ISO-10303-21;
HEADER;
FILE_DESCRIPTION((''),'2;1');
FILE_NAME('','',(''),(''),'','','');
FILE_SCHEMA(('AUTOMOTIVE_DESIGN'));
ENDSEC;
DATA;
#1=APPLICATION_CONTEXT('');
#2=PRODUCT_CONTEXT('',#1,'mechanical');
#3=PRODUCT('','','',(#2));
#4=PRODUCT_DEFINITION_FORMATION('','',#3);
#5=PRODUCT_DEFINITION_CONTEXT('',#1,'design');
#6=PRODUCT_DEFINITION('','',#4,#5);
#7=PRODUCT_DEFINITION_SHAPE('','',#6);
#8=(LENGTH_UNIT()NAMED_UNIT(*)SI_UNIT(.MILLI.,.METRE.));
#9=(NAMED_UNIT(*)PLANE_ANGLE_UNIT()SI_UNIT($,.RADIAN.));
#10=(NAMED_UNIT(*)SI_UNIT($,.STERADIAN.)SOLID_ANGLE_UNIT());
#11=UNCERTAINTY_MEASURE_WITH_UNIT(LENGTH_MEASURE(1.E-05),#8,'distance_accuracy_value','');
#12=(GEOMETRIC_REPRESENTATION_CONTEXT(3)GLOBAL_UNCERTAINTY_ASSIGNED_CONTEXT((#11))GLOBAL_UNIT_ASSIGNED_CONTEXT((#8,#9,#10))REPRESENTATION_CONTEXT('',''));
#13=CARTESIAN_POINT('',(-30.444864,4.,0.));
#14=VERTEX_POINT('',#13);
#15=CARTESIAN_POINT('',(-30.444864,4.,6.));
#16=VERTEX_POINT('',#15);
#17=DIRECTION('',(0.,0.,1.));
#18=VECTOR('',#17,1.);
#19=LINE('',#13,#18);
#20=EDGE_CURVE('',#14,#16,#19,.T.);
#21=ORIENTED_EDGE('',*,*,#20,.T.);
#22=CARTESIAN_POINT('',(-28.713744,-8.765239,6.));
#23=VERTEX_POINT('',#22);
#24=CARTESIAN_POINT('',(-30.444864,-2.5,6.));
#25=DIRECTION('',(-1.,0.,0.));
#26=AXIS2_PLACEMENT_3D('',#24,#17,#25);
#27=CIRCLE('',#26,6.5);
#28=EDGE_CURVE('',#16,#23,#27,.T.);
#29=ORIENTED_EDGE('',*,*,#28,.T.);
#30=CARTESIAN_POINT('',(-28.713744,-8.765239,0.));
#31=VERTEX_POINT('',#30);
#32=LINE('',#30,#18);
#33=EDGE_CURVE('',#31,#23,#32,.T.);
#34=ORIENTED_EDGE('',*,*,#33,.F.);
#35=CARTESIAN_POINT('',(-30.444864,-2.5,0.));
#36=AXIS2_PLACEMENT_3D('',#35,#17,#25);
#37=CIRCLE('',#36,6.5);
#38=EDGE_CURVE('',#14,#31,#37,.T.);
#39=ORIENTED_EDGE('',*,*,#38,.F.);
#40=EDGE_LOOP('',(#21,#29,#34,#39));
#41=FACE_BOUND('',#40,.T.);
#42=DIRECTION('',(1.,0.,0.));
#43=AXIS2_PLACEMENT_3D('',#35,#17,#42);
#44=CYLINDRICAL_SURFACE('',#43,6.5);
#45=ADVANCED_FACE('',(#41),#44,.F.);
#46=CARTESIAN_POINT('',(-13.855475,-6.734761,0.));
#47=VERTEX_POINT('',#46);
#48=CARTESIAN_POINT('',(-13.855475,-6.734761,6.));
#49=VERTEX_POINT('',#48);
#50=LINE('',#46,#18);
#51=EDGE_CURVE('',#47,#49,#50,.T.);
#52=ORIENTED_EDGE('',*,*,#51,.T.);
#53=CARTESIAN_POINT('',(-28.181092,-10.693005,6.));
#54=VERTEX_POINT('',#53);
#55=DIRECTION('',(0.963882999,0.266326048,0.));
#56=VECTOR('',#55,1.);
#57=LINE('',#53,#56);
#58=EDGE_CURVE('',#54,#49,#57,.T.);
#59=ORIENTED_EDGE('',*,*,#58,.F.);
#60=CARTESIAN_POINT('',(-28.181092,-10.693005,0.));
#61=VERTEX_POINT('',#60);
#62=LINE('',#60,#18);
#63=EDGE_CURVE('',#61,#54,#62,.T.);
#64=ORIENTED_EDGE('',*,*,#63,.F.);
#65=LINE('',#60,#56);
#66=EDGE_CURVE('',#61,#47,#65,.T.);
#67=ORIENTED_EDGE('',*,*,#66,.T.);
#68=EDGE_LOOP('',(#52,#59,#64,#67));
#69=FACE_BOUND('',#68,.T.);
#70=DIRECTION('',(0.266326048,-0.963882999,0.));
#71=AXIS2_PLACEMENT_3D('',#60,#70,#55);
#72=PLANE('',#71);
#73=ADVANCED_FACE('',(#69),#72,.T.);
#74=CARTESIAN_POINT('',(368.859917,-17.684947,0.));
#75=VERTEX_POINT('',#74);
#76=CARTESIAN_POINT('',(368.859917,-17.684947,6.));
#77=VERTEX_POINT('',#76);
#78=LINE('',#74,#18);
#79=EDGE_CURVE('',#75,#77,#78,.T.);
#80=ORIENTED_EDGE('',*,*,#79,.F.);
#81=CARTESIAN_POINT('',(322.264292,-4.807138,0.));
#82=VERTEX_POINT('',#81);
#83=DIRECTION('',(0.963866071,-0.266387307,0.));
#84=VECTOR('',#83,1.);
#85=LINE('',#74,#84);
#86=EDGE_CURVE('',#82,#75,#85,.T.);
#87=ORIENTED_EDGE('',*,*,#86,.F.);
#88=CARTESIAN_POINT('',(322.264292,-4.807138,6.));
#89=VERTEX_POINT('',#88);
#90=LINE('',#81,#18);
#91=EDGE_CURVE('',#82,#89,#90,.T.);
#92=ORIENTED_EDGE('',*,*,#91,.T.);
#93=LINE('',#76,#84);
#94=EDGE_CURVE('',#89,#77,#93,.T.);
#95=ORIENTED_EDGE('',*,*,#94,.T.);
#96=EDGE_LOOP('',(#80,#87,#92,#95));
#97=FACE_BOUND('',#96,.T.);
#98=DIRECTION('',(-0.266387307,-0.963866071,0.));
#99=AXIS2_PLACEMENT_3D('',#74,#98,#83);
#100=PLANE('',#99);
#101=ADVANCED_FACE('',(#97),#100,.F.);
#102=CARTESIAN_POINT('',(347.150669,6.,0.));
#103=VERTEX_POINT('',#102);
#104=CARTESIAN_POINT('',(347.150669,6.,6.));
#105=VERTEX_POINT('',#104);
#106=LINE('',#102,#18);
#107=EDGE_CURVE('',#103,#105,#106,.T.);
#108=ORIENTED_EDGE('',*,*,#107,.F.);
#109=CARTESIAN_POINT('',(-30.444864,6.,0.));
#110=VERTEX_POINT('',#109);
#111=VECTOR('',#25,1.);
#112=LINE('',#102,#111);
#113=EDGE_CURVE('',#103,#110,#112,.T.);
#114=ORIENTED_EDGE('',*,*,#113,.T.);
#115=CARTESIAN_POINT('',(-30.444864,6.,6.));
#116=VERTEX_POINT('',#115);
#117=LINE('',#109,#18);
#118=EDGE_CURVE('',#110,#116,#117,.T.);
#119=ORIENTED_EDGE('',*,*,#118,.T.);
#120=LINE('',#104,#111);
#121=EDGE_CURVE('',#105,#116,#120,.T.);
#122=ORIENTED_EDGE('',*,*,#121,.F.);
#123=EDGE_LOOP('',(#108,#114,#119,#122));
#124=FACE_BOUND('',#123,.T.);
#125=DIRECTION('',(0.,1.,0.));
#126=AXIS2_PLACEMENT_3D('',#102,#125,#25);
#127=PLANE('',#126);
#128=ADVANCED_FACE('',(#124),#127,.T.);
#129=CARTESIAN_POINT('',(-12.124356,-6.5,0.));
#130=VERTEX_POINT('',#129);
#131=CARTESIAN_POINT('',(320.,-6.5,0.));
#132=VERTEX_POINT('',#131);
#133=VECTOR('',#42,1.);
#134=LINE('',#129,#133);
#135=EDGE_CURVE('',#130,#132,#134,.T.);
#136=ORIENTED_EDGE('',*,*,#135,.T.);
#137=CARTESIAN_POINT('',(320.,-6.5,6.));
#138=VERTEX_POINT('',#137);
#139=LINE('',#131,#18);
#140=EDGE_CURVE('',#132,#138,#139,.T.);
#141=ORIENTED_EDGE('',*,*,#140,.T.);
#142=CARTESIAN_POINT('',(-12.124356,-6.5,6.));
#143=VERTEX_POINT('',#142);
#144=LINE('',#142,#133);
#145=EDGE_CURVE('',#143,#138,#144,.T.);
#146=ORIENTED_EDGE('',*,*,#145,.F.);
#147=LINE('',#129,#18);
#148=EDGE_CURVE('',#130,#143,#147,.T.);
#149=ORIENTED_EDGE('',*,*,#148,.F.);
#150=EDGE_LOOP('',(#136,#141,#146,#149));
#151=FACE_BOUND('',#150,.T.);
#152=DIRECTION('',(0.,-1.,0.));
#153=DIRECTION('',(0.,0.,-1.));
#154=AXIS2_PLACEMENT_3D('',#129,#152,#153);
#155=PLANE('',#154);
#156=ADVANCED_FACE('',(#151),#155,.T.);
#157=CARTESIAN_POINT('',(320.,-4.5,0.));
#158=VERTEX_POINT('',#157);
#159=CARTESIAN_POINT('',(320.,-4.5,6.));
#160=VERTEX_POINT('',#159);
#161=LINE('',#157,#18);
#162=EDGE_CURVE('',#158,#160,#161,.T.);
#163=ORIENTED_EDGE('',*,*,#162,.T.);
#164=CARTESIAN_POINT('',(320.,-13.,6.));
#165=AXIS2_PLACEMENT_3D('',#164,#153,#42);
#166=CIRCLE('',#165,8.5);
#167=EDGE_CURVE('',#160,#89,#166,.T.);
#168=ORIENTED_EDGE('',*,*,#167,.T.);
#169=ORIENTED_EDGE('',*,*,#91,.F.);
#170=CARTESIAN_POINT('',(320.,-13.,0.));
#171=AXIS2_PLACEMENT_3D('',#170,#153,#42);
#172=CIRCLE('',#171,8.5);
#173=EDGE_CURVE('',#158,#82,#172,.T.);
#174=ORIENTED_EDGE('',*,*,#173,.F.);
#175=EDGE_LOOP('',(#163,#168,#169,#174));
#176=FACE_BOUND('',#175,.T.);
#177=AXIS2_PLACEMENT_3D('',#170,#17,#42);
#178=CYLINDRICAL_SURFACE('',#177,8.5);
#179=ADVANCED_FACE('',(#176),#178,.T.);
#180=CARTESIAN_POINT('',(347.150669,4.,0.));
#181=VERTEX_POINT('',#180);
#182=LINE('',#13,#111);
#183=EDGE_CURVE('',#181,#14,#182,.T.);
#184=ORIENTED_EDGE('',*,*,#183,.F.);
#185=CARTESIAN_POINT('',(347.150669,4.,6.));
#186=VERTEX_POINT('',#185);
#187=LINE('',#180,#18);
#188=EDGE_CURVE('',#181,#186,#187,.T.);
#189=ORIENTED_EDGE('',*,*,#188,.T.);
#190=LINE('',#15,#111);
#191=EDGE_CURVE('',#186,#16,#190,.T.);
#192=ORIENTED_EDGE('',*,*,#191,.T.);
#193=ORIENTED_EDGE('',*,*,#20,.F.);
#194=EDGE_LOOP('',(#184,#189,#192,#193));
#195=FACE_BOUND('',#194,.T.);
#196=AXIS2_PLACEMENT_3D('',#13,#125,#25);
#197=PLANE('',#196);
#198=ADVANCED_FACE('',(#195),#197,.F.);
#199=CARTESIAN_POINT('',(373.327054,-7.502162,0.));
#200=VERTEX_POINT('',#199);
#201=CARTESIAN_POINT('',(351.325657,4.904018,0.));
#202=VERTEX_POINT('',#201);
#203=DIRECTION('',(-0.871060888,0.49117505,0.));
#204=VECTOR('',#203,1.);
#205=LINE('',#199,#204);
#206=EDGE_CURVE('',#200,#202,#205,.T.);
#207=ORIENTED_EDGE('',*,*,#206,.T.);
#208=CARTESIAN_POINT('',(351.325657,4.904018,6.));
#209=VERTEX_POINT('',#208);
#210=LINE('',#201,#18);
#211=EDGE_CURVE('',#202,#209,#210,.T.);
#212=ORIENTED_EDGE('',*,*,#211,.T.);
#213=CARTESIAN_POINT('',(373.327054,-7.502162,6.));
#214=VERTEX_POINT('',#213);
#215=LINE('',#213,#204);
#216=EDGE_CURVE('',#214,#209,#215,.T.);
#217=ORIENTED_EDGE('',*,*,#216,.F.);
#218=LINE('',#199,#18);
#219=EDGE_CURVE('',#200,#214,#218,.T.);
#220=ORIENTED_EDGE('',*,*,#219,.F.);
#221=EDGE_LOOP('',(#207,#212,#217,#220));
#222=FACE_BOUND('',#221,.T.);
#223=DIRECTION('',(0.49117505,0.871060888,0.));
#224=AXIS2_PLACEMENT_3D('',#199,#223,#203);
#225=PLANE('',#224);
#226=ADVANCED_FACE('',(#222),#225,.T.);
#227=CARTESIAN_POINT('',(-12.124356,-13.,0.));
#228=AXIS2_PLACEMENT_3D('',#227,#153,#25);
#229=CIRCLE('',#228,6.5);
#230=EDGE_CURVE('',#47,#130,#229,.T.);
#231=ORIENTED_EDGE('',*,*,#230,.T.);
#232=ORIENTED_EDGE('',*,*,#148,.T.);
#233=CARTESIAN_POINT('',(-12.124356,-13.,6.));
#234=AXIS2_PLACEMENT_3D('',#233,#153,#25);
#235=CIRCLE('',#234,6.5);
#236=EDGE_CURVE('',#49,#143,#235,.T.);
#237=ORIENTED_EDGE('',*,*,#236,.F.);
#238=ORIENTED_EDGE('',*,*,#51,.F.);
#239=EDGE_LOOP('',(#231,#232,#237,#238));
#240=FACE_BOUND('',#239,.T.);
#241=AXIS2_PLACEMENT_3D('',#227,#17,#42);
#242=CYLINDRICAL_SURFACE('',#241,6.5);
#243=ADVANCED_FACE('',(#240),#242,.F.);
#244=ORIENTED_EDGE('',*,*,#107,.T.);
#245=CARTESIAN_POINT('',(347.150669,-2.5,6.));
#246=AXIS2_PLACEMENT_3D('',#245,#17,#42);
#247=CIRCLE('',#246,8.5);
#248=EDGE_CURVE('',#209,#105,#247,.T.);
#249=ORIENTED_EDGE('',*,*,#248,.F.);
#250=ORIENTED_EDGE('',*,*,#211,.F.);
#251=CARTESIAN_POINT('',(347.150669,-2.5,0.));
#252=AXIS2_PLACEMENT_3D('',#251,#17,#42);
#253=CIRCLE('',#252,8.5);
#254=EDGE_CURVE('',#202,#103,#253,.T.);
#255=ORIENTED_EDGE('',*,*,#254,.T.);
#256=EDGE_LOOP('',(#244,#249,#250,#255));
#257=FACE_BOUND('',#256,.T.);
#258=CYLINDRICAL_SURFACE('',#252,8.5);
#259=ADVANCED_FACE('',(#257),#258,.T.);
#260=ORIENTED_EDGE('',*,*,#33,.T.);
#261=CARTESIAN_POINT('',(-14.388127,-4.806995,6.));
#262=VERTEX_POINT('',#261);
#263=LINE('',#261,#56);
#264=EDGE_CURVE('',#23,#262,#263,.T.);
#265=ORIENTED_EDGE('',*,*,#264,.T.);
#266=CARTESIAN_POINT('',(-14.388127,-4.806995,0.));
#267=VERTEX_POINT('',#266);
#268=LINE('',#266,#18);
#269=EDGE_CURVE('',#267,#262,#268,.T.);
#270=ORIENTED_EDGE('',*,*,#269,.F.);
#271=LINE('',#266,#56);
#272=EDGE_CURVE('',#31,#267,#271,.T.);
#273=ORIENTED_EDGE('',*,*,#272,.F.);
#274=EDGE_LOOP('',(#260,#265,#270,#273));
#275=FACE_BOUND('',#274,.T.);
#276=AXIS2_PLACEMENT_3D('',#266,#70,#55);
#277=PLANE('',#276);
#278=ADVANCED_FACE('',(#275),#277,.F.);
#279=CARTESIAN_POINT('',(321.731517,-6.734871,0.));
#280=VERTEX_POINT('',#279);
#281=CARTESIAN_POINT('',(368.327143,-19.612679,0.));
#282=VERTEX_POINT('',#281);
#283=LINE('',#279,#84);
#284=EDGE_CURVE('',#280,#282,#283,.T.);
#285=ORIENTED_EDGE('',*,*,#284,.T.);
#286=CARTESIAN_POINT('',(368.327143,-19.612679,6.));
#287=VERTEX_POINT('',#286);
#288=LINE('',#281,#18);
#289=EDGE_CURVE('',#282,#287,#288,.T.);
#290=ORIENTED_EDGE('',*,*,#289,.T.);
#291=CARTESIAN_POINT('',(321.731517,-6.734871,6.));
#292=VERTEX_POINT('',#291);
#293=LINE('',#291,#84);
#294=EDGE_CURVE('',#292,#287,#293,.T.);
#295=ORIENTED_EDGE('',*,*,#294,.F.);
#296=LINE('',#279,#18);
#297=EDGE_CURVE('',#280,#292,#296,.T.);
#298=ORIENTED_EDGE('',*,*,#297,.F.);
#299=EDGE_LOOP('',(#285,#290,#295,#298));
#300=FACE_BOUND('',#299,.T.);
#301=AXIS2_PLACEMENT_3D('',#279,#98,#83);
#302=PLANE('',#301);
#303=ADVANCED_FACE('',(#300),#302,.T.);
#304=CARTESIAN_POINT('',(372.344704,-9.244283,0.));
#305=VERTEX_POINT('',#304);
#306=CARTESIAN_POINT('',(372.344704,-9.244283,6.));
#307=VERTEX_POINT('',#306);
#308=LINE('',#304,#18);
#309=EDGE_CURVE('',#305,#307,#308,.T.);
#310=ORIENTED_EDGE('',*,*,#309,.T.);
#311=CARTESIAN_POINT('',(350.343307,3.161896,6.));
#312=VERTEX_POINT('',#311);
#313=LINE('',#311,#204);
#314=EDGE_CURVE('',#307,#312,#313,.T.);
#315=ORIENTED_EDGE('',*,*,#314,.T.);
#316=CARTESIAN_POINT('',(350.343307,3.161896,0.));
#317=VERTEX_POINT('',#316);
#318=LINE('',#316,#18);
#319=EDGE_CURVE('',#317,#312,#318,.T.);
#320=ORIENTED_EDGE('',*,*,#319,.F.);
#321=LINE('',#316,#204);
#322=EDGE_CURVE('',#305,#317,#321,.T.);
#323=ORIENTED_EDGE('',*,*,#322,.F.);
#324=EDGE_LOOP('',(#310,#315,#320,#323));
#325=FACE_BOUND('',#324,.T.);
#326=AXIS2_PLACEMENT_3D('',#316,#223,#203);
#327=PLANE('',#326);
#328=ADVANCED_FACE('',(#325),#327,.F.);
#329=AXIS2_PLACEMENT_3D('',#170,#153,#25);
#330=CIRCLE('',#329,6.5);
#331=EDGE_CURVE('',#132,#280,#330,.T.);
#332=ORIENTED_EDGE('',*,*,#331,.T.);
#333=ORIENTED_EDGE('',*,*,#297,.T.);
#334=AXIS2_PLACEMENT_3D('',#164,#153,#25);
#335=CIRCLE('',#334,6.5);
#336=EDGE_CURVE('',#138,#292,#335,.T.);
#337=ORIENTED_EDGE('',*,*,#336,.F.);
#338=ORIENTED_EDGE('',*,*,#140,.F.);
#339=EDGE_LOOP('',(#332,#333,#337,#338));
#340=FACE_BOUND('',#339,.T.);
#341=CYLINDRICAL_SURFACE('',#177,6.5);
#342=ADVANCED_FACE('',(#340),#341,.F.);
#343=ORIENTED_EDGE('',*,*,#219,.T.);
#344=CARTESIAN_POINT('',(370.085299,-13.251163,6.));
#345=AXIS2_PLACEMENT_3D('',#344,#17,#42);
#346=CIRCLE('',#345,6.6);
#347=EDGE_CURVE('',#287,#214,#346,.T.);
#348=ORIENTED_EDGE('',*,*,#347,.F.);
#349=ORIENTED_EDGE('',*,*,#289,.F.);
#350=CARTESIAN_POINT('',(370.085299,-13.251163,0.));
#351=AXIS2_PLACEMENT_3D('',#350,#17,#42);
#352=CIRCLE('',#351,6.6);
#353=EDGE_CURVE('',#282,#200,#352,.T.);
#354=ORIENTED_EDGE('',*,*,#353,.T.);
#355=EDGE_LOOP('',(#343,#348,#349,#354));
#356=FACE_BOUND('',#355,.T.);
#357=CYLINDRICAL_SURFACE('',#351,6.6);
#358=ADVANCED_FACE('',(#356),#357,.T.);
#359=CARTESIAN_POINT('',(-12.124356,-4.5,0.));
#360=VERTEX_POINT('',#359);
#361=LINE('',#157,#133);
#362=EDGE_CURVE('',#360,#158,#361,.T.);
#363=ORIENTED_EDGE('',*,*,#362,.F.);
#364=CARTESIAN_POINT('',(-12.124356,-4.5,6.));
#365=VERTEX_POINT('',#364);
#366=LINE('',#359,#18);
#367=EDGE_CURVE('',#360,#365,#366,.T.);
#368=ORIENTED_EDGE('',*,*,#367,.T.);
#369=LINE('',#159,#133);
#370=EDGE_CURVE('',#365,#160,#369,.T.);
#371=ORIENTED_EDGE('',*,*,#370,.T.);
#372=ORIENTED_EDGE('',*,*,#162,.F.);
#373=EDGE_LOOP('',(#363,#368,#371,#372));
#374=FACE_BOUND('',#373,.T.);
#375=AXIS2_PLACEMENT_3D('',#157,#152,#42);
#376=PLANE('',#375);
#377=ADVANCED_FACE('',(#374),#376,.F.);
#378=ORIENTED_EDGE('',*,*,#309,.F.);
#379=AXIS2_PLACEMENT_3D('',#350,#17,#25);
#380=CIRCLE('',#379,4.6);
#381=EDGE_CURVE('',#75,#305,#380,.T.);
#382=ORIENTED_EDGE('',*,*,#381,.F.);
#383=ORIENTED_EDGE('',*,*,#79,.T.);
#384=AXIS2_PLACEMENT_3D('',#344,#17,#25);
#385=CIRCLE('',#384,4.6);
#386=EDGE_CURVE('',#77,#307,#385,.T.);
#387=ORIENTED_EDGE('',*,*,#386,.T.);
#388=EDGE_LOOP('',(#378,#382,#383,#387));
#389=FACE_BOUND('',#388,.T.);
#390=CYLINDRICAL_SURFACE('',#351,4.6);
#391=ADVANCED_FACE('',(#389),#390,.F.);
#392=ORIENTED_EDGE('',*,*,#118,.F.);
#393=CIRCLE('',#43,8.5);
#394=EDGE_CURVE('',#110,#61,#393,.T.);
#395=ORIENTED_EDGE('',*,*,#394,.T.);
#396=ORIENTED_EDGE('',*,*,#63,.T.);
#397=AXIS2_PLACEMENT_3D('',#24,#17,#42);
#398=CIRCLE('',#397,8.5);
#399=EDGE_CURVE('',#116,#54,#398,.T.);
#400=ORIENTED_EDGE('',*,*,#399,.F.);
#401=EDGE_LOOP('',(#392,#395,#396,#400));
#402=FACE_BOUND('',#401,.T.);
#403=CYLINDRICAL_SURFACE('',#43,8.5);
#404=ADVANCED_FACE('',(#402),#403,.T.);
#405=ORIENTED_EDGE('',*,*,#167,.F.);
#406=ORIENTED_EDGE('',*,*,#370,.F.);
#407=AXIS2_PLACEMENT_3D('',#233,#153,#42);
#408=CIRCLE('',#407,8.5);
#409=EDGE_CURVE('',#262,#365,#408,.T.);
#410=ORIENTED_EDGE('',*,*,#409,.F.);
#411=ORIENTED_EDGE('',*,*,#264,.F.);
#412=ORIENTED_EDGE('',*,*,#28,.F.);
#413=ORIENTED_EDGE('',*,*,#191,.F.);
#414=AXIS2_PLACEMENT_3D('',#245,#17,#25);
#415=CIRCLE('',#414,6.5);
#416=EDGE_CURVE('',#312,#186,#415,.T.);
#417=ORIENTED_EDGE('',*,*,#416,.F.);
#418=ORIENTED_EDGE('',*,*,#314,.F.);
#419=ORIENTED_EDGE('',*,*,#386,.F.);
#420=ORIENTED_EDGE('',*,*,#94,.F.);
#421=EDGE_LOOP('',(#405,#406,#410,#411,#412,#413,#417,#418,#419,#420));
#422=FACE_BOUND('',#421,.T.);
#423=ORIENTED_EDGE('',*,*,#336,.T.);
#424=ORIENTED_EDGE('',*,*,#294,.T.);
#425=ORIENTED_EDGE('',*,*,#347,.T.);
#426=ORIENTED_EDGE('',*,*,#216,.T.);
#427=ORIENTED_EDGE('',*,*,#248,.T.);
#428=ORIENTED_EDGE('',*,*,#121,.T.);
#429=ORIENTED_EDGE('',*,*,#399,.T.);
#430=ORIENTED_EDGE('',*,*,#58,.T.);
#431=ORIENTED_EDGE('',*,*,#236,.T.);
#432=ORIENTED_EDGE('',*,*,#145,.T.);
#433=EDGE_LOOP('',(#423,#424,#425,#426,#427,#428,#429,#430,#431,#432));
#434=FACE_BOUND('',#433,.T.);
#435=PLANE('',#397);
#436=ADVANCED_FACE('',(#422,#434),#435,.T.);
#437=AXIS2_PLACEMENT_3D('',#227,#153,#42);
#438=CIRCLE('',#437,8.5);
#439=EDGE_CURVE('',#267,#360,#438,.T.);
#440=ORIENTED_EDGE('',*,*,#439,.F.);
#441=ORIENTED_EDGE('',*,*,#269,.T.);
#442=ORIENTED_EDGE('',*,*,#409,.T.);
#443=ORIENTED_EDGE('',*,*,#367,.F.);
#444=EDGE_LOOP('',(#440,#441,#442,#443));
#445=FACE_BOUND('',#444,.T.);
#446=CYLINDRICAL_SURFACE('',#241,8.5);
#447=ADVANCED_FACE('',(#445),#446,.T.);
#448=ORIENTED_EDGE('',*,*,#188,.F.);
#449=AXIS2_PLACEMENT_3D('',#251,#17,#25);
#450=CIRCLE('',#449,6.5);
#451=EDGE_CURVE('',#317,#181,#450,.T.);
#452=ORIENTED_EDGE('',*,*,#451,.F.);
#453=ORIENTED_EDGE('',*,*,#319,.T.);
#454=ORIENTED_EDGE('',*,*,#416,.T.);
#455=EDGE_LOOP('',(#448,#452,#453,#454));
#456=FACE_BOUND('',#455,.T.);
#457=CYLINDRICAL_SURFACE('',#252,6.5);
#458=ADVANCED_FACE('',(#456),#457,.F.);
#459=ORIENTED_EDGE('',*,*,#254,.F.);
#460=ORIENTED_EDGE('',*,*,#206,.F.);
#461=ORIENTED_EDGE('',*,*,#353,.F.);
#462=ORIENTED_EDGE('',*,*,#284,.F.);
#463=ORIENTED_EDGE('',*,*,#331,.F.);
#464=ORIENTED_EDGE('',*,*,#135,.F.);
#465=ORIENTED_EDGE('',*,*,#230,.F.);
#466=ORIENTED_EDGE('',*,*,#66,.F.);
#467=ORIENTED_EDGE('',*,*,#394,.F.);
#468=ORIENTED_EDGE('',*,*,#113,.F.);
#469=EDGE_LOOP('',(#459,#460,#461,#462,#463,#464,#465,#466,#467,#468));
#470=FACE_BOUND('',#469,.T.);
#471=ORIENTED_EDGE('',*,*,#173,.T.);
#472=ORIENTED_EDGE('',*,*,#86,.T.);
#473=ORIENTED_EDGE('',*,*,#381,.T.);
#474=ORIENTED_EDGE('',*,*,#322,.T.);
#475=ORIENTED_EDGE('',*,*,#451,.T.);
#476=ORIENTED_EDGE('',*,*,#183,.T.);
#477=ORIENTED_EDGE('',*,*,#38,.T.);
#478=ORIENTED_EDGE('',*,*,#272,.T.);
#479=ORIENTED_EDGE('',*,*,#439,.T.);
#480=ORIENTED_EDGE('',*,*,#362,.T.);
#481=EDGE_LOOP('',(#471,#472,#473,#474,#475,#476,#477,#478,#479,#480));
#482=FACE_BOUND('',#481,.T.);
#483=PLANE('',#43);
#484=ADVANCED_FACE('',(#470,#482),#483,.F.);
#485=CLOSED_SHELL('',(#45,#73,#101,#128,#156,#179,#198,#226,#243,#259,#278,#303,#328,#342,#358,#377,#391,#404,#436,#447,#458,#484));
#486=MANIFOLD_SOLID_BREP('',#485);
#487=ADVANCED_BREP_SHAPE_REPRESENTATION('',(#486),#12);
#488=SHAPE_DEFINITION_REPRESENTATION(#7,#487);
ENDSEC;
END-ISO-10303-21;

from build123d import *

# Parameters (mm, degrees)
BOSS_EXTRUDE1_DEPTH = 6


with BuildPart() as part:
    # Sketch1 → Boss-Extrude1 (new body)
    with BuildSketch(Plane.XY.offset(6)):
        with BuildLine():
            Line((-28.181092323, -10.693005494), (-13.855474963, -6.734760505))
            ThreePointArc((-13.855474963, -6.734760505), (-12.997838131, -6.55895751), (-12.124355653, -6.5))
            Line((-12.124355653, -6.5), (320, -6.5))
            ThreePointArc((320, -6.5), (320.873687158, -6.55898527), (321.731517494, -6.734870538))
            Line((321.731517494, -6.734870538), (368.327142632, -19.612679456))
            ThreePointArc((368.327142632, -19.612679456), (376.185825694, -15.769808321), (373.327054187, -7.502161528))
            Line((373.327054187, -7.502161528), (351.325657017, 4.904017546))
            ThreePointArc((351.325657017, 4.904017546), (349.308891839, 5.721439933), (347.150669091, 6))
            Line((347.150669091, 6), (-30.444863729, 6))
            ThreePointArc((-30.444863729, 6), (-38.867765447, -3.642246318), (-28.181092323, -10.693005494))
        make_face()
        with BuildLine():
            Line((350.343306916, 3.16189577), (372.344704086, -9.244283304))
            ThreePointArc((372.344704086, -9.244283304), (374.337181197, -15.006582584), (368.859917245, -17.684947314))
            Line((368.859917245, -17.684947314), (322.264292107, -4.807138396))
            ThreePointArc((322.264292107, -4.807138396), (321.142513976, -4.577134584), (320, -4.5))
            Line((320, -4.5), (-12.124355653, -4.5))
            ThreePointArc((-12.124355653, -4.5), (-13.266601971, -4.577098282), (-14.388127058, -4.806994506))
            Line((-14.388127058, -4.806994506), (-28.713744419, -8.765239495))
            ThreePointArc((-28.713744419, -8.765239495), (-36.885906219, -3.373482478), (-30.444863729, 4))
            Line((-30.444863729, 4), (347.150669091, 4))
            ThreePointArc((347.150669091, 4), (348.801074722, 3.786983478), (350.343306916, 3.16189577))
        make_face(mode=Mode.SUBTRACT)
    extrude(amount=-BOSS_EXTRUDE1_DEPTH)


solid = part.part
